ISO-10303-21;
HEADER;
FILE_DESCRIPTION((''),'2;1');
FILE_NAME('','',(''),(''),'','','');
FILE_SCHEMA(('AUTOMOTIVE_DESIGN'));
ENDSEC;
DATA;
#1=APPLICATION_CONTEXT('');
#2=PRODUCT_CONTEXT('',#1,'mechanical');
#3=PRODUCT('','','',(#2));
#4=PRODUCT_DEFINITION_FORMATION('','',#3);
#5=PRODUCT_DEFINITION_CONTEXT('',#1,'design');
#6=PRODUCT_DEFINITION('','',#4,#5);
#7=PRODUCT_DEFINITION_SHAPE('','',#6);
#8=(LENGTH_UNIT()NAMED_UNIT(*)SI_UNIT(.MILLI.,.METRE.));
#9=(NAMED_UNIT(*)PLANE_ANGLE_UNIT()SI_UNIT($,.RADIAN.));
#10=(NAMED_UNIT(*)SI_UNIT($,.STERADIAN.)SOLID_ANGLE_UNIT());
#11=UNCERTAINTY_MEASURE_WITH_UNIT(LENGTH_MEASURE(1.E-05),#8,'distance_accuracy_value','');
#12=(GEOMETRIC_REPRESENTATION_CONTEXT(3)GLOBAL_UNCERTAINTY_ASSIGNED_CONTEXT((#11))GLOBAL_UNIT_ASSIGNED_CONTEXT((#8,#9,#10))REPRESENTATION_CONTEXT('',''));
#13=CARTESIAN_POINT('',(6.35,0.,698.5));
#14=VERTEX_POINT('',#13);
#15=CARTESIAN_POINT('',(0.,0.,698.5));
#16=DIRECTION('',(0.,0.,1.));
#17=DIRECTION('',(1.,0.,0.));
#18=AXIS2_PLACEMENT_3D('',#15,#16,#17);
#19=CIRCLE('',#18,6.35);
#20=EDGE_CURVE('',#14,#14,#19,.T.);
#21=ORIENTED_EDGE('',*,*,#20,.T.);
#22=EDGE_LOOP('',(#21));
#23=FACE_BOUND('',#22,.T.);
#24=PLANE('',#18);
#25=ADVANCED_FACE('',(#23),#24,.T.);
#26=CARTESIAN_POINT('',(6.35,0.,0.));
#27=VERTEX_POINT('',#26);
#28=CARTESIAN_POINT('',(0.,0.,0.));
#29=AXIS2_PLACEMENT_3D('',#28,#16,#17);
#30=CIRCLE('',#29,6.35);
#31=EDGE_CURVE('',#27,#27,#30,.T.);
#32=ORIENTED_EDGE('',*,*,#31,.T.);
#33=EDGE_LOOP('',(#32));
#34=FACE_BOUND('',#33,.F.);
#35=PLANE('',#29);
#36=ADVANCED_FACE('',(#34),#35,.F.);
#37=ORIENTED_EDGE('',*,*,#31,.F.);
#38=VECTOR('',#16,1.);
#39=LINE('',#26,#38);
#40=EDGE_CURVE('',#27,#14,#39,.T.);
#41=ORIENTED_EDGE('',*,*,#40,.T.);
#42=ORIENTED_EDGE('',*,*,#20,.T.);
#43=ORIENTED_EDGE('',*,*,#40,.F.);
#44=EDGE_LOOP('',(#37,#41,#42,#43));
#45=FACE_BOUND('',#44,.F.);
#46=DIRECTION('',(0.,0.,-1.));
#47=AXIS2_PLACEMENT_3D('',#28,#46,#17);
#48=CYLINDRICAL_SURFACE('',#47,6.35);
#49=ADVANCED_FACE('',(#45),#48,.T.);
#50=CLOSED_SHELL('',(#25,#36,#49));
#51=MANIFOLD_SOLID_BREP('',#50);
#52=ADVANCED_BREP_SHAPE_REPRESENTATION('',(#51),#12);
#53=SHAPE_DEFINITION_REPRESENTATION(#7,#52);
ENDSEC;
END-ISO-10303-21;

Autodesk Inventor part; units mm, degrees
ref_plane "YZ Plane" through (0, 0, 0) normal (1, 0, 0) x (0, 1, 0)
ref_plane "XZ Plane" through (0, 0, 0) normal (0, 1, 0) x (-1, 0, 0)
ref_plane "XY Plane" through (0, 0, 0) normal (0, 0, 1) x (1, 0, 0)
sketch "Sketch1" plane through (0, 0, 0) normal (0, 0, 1) x (1, 0, 0)
  circle A0 centre (0, 0) radius 6.35
  dimension "d0" = 12.7
  dimension "d0" = 12.7
extrude "Extrusion1" add sketch "Sketch1" along normal blind 698.5
properties part number "main intake shaft"
